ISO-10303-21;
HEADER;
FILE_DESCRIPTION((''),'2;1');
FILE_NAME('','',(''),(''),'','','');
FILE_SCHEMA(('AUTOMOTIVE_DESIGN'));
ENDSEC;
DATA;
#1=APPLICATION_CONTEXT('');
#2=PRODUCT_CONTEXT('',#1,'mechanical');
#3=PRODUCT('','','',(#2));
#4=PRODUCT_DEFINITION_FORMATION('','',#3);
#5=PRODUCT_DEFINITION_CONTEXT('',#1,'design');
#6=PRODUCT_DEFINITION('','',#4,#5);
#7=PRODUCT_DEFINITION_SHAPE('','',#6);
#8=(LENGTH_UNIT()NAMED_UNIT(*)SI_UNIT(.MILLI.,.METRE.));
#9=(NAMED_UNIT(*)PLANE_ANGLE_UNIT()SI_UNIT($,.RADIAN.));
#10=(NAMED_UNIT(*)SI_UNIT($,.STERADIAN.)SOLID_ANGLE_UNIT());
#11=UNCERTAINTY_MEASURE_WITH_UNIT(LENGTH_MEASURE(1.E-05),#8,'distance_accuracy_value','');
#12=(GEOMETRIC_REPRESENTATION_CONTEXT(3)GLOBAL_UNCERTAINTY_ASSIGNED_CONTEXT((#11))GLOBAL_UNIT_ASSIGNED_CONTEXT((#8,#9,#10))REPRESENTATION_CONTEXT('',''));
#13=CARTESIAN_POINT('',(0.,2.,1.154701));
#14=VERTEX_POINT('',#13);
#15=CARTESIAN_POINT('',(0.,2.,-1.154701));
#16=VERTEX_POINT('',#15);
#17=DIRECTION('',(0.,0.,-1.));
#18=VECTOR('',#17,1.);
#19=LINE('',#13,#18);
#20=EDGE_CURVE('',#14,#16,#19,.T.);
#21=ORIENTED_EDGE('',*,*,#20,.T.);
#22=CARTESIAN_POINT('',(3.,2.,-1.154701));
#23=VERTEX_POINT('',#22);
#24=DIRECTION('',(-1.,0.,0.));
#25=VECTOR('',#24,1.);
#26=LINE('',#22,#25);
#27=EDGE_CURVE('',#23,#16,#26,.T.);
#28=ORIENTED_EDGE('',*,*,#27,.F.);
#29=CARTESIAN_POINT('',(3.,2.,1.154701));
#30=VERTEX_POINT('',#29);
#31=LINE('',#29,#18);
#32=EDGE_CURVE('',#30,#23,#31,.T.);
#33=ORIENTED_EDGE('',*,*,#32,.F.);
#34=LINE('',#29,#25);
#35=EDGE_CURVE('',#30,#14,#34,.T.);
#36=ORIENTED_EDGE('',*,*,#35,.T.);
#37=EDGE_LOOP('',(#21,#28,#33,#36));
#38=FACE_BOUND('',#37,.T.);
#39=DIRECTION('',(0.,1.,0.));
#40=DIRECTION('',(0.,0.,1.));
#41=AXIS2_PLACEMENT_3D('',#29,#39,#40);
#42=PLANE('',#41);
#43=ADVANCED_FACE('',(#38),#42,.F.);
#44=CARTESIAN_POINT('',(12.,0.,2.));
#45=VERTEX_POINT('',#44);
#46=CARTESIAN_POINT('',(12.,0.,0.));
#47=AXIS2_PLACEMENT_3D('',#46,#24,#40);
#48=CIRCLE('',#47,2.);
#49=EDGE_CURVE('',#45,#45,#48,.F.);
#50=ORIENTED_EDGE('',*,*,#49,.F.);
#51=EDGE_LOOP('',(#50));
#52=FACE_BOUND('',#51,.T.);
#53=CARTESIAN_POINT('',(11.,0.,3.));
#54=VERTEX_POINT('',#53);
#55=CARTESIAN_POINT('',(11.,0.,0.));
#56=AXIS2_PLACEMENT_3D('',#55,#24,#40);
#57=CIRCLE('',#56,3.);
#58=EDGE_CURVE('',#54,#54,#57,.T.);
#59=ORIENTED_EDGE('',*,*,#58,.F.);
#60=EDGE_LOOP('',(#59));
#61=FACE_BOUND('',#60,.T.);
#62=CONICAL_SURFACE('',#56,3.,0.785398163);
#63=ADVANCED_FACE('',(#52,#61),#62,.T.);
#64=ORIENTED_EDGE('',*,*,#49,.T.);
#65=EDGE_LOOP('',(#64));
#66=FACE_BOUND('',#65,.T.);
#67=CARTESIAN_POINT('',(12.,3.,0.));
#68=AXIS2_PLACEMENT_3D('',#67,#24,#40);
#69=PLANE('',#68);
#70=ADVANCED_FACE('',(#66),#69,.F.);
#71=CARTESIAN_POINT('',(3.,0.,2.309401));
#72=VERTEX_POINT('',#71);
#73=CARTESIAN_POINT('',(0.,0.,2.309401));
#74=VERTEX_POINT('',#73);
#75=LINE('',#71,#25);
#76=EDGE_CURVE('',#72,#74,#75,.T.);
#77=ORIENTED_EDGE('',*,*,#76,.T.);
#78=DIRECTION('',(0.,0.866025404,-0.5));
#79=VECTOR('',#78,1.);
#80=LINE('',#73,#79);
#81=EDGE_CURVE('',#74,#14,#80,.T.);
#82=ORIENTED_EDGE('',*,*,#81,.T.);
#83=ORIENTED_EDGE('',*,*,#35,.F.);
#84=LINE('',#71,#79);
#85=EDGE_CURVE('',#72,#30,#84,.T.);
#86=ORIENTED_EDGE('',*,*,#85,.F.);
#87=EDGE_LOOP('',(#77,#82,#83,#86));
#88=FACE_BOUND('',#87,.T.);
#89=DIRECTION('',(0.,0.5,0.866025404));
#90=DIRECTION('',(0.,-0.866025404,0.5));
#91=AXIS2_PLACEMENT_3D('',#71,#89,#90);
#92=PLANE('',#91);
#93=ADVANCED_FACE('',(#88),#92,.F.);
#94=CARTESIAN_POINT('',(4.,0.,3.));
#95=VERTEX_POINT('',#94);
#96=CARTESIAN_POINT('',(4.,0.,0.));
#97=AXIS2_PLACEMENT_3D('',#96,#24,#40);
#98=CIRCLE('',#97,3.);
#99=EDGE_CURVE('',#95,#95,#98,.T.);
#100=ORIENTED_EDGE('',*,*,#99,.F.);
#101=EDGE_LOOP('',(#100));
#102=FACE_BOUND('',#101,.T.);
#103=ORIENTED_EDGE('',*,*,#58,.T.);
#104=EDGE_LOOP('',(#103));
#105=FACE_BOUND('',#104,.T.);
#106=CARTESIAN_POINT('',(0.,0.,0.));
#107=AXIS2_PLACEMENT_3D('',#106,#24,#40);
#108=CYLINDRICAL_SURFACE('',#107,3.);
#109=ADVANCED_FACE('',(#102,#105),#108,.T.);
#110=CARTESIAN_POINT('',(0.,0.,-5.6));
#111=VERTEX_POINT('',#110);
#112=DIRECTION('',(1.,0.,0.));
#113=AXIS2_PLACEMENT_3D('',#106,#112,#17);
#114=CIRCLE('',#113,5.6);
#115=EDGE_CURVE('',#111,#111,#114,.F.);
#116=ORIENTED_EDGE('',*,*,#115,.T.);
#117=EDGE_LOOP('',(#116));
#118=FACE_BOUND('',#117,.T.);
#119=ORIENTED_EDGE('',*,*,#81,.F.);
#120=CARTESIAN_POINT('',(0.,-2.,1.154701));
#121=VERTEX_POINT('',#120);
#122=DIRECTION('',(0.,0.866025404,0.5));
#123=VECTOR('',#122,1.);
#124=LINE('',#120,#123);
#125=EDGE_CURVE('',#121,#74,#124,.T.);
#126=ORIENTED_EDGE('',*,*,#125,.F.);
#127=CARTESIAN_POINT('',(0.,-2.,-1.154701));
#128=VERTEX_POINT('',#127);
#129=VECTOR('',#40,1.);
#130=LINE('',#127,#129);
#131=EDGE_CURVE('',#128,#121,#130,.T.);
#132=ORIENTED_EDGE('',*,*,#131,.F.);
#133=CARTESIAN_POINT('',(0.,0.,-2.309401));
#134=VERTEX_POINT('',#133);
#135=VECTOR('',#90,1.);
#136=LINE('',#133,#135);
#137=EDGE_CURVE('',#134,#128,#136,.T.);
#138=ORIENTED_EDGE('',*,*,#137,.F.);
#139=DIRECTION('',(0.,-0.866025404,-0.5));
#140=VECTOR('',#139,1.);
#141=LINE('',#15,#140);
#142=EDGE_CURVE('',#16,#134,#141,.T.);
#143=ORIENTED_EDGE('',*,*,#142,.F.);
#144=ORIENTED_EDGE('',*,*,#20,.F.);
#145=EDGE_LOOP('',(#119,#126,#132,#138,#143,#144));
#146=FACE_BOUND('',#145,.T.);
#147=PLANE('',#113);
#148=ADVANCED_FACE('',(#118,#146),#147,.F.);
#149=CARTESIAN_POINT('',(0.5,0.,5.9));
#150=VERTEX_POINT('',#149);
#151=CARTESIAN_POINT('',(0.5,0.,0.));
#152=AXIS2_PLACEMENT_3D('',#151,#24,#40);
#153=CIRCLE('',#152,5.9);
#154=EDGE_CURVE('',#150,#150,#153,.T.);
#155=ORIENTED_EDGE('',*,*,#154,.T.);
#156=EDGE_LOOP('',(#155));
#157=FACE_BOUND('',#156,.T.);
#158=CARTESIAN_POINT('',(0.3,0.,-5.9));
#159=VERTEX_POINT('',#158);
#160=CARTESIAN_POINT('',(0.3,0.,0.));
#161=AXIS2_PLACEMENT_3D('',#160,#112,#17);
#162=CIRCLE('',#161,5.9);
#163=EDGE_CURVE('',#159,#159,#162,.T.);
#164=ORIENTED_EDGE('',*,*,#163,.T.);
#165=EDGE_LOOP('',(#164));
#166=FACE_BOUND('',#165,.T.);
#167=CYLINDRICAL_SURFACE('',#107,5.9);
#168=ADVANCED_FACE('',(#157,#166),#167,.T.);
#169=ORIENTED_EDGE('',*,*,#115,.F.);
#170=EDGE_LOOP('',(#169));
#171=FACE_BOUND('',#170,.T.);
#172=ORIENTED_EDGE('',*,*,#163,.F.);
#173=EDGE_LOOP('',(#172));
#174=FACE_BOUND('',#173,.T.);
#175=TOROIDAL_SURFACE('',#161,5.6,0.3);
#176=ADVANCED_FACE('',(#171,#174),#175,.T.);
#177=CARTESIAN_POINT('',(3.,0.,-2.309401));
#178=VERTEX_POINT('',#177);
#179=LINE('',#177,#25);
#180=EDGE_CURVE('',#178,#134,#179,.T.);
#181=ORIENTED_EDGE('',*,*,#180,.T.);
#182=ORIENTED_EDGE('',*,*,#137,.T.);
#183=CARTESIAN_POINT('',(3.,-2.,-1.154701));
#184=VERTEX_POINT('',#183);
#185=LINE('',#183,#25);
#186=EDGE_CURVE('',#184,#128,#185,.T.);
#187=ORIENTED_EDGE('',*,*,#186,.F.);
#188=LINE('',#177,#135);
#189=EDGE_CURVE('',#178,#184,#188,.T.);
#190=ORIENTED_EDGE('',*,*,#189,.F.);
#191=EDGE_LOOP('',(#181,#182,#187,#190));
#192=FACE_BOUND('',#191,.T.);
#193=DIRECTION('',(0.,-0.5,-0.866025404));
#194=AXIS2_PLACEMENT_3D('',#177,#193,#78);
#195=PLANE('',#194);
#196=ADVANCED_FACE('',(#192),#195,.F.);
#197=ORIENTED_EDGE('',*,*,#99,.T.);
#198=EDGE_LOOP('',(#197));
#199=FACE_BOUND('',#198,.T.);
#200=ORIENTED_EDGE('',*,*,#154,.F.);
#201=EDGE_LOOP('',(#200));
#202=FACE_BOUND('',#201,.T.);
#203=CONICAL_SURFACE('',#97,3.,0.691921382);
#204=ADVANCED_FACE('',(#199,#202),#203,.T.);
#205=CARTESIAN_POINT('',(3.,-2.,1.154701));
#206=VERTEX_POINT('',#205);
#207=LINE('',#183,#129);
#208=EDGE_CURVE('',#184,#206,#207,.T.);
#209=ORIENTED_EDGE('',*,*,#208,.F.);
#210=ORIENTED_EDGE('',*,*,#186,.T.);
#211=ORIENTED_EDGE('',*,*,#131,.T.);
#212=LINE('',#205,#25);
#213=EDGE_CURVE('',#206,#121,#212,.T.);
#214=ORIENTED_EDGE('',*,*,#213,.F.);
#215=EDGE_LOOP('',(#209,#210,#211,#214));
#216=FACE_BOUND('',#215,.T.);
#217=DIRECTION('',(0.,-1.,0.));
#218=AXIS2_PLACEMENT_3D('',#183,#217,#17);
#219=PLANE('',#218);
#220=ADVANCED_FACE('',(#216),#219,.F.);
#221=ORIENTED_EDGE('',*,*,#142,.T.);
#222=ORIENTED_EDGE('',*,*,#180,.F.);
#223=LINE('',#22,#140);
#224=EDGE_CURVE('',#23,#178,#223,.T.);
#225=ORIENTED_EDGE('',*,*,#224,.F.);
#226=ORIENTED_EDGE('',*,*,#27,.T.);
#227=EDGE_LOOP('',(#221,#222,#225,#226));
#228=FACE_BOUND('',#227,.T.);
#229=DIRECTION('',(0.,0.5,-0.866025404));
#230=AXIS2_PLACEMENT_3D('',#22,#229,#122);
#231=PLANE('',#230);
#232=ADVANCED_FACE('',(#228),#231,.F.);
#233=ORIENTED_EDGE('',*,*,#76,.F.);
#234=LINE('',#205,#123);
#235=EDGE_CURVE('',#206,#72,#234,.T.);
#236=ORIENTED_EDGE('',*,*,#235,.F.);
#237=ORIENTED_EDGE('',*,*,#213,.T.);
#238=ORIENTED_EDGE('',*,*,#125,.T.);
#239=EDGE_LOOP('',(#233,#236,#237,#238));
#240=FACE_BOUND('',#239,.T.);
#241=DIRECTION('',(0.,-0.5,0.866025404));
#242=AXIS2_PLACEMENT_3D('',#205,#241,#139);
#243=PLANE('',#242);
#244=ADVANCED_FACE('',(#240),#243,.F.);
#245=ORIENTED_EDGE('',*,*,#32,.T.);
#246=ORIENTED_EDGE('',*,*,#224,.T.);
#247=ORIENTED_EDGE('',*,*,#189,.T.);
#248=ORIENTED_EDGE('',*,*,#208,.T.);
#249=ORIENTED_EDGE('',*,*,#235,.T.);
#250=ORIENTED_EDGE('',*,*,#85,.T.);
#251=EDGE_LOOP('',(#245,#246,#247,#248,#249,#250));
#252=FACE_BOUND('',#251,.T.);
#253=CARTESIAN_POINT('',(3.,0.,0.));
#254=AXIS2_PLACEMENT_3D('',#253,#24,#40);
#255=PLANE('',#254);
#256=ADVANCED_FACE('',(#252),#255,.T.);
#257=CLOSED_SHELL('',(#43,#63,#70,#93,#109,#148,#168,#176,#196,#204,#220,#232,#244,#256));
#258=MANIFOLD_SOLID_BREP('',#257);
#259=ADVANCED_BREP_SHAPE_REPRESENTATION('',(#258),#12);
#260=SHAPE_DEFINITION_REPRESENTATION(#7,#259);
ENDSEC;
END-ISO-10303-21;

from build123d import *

# Parameters (mm, degrees)
CUT_EXTRUDE_1_DEPTH = 3
FILLET_1_R          = 0.3
CHAMFER_1_SIZE      = 1


with BuildPart() as part:
    # Эскиз1 → Повернуть1 (revolve)
    with BuildSketch(Plane.XY, mode=Mode.PRIVATE) as revolve_1_sk:
        Polygon((0, 0), (0, 5.9), (0.5, 5.9), (4, 3), (12, 3), (12, 0), align=None)
    revolve(revolve_1_sk.sketch.rotate(Axis((0, 0, 0), (1, 0, 0)), 90), axis=Axis((0, 0, 0), (1, 0, 0)))  # turned: the seam where the file's is

    # Эскиз2 → Вырез-Вытянуть1 (cut)
    with BuildSketch(Plane.ZY):
        Polygon((1.154700538, 2), (-1.154700538, 2), (-2.309401077, 0), (-1.154700538, -2), (1.154700538, -2), (2.309401077, 0), align=None)
    extrude(amount=-CUT_EXTRUDE_1_DEPTH, mode=Mode.SUBTRACT)

    # Скругление1
    fillet_1_edges = [part.edges().sort_by_distance(p)[0] for p in [
        (0, 0, -5.9),
    ]]
    fillet(fillet_1_edges, radius=FILLET_1_R)

    # Фаска1
    chamfer_1_edges = [part.edges().sort_by_distance(p)[0] for p in [
        (12, 0, -3),
    ]]
    chamfer(chamfer_1_edges, length=CHAMFER_1_SIZE)


solid = part.part
